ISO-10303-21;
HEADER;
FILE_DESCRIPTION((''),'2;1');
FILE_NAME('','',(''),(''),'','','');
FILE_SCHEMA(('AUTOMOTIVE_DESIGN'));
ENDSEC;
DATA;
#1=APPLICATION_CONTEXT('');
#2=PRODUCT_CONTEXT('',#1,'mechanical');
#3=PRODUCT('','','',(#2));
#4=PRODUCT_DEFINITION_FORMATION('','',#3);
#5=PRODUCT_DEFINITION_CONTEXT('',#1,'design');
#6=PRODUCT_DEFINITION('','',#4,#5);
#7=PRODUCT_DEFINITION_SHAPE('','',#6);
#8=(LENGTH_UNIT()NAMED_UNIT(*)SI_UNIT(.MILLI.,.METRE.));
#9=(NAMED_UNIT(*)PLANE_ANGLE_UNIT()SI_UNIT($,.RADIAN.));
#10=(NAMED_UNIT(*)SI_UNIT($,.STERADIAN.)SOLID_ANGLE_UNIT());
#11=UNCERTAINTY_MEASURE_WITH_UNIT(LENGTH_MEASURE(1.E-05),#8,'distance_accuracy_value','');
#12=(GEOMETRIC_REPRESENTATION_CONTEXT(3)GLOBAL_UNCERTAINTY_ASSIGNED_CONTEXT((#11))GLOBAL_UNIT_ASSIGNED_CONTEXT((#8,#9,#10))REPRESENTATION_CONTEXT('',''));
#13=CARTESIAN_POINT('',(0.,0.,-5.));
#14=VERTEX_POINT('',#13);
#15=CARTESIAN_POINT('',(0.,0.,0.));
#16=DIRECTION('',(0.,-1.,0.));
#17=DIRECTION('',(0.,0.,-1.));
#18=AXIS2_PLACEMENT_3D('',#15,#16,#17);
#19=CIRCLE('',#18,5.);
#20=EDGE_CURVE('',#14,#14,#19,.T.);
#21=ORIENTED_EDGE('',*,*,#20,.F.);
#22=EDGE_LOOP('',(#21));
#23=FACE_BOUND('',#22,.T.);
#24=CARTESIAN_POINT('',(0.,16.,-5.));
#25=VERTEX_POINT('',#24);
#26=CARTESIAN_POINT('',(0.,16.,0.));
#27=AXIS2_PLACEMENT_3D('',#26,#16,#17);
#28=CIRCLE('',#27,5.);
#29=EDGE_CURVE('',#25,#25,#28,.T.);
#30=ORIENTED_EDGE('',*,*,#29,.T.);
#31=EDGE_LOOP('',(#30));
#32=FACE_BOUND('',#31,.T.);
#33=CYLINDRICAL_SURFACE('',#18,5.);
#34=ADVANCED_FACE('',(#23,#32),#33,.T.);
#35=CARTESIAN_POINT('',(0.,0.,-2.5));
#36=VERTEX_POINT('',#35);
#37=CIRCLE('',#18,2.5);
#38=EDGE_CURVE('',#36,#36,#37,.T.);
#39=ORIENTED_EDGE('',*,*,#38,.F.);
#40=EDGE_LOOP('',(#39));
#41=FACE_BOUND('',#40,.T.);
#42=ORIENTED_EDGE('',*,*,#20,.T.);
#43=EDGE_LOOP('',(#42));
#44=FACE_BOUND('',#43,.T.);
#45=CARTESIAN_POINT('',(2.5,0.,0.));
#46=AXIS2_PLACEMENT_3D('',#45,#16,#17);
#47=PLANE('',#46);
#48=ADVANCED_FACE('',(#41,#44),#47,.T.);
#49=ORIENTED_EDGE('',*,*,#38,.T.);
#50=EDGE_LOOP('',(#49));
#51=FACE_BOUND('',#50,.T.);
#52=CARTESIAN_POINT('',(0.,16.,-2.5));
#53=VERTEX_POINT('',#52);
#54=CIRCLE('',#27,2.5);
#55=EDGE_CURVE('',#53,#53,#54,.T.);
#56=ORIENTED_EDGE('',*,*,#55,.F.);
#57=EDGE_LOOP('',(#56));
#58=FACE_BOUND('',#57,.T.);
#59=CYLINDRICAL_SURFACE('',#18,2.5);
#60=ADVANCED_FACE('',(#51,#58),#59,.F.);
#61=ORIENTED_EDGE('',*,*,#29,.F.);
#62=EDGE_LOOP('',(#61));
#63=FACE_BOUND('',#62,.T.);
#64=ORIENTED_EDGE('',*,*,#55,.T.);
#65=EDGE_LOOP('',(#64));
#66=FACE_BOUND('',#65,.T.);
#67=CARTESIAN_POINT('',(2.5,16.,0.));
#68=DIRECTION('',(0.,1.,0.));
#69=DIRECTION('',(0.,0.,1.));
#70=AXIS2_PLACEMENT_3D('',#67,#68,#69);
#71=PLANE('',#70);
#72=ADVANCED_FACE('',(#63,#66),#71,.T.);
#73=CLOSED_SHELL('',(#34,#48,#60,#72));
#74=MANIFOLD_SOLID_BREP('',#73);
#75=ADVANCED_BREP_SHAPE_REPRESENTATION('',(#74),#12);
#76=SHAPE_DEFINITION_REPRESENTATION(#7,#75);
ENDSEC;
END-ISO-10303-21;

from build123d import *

# Parameters (mm, degrees)
SKETCH1_W = 2.5
SKETCH1_H = 16


with BuildPart() as part:
    # Sketch1 → Revolve1 (revolve)
    with BuildSketch(Plane.XY):
        with Locations((3.75, 8)):
            Rectangle(SKETCH1_W, SKETCH1_H)
    revolve(axis=Axis((0, 0, 0), (0, 1, 0)))


solid = part.part
